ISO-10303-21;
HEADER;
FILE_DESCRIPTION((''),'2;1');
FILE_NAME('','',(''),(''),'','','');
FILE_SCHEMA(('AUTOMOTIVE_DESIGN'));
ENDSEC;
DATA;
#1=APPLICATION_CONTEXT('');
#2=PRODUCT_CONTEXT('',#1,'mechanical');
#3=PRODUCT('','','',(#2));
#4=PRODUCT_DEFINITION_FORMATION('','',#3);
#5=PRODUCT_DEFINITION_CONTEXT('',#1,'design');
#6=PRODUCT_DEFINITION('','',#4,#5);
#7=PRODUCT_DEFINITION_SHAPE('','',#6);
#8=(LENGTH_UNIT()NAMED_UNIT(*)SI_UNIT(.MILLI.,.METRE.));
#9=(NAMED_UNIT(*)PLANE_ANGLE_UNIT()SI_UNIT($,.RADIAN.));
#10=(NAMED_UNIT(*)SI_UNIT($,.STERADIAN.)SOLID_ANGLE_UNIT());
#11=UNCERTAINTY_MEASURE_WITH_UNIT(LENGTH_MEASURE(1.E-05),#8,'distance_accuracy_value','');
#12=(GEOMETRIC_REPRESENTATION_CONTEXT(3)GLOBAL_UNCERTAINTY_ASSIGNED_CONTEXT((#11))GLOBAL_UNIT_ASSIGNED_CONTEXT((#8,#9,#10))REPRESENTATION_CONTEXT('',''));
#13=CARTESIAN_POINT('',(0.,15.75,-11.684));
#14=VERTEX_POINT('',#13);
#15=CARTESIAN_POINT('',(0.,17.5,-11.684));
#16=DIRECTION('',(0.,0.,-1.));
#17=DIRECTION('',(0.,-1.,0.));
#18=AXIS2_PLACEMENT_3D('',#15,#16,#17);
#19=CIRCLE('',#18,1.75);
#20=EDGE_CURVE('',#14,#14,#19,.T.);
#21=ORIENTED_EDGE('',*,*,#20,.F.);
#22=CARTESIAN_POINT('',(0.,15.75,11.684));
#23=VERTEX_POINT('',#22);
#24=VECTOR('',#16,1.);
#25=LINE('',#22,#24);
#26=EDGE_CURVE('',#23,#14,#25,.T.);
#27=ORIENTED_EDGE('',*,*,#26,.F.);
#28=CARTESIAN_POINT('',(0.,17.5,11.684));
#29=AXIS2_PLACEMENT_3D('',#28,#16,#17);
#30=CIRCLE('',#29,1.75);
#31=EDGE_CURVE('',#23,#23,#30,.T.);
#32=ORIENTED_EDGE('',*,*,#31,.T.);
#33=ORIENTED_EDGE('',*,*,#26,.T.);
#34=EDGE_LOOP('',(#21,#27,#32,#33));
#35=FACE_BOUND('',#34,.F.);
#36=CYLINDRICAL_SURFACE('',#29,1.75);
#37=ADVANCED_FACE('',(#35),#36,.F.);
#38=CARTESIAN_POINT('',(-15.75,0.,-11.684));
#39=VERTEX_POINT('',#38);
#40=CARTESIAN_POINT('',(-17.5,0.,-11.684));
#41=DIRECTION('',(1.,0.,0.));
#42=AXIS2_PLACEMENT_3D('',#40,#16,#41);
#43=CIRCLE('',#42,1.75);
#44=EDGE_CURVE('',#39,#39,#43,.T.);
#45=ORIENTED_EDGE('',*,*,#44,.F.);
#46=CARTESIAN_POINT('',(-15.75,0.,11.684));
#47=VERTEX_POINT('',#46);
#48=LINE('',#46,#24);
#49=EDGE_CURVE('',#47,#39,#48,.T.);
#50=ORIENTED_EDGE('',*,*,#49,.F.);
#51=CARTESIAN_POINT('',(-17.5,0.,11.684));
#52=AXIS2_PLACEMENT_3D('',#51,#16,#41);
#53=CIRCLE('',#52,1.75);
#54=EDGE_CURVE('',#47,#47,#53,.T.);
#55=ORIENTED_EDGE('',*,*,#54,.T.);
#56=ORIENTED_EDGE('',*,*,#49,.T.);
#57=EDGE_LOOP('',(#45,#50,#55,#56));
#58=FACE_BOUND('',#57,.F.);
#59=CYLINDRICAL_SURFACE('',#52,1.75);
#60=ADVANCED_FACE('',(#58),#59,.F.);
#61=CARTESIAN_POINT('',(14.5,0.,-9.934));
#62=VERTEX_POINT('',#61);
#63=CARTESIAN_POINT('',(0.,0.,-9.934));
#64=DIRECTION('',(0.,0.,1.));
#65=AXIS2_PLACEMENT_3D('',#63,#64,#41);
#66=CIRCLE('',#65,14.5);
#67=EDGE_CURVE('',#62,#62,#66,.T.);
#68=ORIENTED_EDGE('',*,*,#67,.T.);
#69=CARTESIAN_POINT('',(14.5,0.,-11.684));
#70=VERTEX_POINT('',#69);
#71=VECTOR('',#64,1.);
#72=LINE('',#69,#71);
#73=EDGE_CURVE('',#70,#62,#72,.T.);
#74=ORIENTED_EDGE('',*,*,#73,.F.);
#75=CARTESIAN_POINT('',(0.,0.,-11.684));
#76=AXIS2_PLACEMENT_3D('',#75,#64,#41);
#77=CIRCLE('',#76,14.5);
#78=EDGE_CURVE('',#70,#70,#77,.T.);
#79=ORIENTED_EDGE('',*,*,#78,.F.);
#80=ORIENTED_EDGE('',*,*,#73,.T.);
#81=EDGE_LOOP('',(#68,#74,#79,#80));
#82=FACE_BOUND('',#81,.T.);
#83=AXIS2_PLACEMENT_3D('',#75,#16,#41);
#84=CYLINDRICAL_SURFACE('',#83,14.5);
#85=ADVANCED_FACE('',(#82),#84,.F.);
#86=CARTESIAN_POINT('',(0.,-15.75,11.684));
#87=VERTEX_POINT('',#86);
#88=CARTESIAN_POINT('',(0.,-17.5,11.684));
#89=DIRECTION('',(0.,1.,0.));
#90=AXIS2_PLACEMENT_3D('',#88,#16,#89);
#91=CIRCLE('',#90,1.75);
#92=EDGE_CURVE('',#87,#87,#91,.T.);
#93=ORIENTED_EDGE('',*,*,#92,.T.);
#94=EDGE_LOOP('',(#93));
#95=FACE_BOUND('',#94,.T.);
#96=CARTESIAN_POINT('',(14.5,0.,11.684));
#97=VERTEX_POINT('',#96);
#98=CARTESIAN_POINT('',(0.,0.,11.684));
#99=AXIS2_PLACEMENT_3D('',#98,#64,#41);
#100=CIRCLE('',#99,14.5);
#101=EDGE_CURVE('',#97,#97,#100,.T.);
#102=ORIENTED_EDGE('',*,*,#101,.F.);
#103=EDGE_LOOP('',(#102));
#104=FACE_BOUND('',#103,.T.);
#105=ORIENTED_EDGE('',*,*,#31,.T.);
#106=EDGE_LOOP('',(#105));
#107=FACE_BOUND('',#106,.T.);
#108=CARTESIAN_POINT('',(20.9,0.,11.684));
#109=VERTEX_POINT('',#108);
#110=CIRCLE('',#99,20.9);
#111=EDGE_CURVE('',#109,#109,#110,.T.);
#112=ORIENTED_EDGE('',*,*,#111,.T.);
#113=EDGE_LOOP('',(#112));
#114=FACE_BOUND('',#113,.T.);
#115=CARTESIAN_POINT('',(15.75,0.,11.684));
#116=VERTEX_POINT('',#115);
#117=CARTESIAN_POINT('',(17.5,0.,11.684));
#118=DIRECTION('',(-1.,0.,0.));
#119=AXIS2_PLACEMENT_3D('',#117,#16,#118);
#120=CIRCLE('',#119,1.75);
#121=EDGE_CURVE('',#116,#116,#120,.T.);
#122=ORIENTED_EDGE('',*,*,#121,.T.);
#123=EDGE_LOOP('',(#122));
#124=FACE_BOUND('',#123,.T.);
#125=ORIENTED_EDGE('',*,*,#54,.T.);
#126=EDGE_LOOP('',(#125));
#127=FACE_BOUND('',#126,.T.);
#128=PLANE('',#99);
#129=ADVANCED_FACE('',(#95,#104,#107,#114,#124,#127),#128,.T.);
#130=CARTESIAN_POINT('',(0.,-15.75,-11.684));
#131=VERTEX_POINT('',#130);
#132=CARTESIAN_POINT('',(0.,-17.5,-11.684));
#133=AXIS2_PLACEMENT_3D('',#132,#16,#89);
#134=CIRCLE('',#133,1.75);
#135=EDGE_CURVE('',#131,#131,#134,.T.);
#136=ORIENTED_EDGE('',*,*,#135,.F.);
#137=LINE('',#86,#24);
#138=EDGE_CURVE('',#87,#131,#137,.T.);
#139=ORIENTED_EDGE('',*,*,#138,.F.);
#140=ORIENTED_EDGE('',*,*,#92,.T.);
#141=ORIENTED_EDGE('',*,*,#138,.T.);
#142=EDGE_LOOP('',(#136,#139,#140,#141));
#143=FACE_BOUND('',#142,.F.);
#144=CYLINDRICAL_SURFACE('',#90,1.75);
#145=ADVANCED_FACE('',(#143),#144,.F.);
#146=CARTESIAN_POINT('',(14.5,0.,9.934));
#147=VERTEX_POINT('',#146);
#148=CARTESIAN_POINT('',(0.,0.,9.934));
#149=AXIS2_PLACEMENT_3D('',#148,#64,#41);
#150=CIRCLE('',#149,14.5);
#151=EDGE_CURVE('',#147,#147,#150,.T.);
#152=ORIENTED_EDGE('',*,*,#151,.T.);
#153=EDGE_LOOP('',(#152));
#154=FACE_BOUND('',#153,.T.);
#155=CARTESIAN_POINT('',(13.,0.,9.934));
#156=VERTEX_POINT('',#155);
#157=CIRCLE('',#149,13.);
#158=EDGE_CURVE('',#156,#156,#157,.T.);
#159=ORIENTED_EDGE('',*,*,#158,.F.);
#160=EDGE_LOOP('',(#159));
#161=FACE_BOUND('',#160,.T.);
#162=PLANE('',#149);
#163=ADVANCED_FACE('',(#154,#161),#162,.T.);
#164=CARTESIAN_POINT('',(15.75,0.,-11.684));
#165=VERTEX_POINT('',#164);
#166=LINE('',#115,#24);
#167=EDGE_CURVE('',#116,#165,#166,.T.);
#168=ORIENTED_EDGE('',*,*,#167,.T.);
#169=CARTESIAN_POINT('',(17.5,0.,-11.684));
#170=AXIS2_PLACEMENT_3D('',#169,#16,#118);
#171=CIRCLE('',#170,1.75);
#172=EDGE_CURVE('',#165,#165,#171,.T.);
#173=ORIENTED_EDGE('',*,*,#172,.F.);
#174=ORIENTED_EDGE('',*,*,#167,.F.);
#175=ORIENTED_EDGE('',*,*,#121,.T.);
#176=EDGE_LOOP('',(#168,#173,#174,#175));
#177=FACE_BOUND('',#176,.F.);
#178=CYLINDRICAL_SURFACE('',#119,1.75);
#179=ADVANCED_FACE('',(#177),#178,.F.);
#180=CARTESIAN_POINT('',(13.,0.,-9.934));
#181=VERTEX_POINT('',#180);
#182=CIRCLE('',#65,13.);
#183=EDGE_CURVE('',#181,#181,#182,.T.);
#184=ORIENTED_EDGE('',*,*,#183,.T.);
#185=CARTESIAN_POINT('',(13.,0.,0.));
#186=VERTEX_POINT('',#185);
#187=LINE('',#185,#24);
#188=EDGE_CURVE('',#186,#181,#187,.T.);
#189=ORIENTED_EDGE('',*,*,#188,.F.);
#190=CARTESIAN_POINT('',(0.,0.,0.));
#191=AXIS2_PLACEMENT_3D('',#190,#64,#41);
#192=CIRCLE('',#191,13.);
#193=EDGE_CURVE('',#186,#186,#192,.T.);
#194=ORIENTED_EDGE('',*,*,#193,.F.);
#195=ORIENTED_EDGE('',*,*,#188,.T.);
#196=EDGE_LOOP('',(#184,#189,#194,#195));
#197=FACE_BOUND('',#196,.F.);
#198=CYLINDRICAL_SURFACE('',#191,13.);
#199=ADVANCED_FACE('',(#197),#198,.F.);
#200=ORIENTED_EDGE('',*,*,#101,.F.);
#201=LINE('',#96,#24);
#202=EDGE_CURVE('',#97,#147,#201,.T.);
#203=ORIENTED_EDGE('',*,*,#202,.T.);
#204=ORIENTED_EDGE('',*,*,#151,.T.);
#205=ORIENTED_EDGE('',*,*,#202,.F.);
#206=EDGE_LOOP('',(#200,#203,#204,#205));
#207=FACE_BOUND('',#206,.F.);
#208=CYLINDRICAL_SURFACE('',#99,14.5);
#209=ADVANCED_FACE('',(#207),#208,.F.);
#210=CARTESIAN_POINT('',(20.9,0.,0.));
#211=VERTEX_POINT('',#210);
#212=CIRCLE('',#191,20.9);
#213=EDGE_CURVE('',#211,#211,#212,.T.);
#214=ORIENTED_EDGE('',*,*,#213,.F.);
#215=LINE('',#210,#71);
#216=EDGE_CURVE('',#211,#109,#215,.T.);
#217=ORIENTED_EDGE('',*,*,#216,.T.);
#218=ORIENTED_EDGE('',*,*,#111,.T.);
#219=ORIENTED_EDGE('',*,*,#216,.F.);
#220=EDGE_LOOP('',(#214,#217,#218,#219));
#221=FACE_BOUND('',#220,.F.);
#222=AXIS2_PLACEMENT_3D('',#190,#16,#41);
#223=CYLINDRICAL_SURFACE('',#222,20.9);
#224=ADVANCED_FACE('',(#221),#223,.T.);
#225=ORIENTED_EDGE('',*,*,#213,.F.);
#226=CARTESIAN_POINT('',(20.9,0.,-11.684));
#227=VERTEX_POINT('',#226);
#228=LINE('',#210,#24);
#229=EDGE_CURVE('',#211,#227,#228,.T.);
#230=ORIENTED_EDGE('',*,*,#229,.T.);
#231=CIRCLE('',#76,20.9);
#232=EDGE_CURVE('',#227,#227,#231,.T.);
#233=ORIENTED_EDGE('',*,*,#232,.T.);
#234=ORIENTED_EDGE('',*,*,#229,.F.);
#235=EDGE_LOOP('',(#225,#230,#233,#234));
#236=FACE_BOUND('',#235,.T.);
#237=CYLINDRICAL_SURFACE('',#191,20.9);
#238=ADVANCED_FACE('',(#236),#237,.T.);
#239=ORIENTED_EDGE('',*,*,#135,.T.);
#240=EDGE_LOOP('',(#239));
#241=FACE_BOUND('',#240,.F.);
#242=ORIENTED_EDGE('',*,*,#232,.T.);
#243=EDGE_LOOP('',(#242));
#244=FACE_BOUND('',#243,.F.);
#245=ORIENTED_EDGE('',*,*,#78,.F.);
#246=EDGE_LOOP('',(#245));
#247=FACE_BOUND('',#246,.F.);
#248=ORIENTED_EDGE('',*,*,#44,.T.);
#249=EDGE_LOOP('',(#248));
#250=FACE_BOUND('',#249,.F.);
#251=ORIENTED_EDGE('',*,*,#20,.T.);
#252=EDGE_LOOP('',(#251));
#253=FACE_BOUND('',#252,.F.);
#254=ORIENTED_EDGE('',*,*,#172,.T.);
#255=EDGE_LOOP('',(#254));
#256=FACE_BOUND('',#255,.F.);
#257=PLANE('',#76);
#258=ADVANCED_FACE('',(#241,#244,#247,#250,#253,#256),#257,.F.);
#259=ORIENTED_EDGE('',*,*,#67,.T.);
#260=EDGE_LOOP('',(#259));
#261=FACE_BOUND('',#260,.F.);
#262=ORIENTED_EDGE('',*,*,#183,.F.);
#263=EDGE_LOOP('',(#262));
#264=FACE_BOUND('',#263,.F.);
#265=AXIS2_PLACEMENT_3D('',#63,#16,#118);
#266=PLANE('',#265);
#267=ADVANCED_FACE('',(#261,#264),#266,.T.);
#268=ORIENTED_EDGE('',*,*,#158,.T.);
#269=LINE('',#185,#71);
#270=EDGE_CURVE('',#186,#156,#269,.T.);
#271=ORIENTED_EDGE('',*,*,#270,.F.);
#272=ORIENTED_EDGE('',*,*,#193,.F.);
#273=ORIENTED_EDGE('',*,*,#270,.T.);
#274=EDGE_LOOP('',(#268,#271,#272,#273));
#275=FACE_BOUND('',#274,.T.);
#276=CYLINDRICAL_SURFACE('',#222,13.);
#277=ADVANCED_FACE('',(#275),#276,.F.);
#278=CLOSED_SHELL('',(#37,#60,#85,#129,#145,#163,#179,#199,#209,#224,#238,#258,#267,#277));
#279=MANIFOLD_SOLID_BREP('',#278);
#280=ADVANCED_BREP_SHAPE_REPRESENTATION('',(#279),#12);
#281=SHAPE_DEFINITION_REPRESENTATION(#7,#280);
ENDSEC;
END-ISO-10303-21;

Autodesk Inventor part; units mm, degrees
ref_plane "YZ Plane" through (0, 0, 0) normal (1, 0, 0) x (0, 1, 0)
ref_plane "XZ Plane" through (0, 0, 0) normal (0, 1, 0) x (-1, 0, 0)
ref_plane "XY Plane" through (0, 0, 0) normal (0, 0, 1) x (1, 0, 0)
sketch "Sketch1" plane through (0, 0, 0) normal (0, 0, 1) x (1, 0, 0)
  circle A0 centre (0, 0) radius 20.9
  circle A1 centre (0, 0) radius 13
  dimension "d0" = 41.8
  dimension "d1" = 26
extrude "Extrusion1" add sketch "Sketch1" along normal mid plane 23.368
sketch "Sketch2" plane through (0, 0, 11.684) normal (0, 0, 1) x (1, 0, 0)
  circle A0 centre (0, 0) radius 13 projected
  point P0 (0, 17.5)
  dimension "d4" = 17.5
hole "Hole1" at (0, 17.5, 11.684) direction (0, 0, -1) diameter 3.5 end through all
pattern_circular "Circular Pattern1" count 4 over 360 about axis through (0, 0, 0) along (0, 0, 1) of "Hole1"
sketch "Sketch3" plane through (0, 0, 11.684) normal (0, 0, 1) x (1, 0, 0)
  circle A0 centre (0, 0) radius 13 projected
  circle A1 centre (0, 0) radius 20.9 projected
  circle A2 centre (0, 0) radius 14.5
  dimension "d15" = 29
extrude "Extrusion2" cut sketch "Sketch3" against normal blind 1.75 contours A2
mirror "Mirror1" about plane through (0, 0, 0) normal (0, 0, 1) of "Extrusion2"
properties part number "BB1-RingGear" material "Aluminum-6061"
